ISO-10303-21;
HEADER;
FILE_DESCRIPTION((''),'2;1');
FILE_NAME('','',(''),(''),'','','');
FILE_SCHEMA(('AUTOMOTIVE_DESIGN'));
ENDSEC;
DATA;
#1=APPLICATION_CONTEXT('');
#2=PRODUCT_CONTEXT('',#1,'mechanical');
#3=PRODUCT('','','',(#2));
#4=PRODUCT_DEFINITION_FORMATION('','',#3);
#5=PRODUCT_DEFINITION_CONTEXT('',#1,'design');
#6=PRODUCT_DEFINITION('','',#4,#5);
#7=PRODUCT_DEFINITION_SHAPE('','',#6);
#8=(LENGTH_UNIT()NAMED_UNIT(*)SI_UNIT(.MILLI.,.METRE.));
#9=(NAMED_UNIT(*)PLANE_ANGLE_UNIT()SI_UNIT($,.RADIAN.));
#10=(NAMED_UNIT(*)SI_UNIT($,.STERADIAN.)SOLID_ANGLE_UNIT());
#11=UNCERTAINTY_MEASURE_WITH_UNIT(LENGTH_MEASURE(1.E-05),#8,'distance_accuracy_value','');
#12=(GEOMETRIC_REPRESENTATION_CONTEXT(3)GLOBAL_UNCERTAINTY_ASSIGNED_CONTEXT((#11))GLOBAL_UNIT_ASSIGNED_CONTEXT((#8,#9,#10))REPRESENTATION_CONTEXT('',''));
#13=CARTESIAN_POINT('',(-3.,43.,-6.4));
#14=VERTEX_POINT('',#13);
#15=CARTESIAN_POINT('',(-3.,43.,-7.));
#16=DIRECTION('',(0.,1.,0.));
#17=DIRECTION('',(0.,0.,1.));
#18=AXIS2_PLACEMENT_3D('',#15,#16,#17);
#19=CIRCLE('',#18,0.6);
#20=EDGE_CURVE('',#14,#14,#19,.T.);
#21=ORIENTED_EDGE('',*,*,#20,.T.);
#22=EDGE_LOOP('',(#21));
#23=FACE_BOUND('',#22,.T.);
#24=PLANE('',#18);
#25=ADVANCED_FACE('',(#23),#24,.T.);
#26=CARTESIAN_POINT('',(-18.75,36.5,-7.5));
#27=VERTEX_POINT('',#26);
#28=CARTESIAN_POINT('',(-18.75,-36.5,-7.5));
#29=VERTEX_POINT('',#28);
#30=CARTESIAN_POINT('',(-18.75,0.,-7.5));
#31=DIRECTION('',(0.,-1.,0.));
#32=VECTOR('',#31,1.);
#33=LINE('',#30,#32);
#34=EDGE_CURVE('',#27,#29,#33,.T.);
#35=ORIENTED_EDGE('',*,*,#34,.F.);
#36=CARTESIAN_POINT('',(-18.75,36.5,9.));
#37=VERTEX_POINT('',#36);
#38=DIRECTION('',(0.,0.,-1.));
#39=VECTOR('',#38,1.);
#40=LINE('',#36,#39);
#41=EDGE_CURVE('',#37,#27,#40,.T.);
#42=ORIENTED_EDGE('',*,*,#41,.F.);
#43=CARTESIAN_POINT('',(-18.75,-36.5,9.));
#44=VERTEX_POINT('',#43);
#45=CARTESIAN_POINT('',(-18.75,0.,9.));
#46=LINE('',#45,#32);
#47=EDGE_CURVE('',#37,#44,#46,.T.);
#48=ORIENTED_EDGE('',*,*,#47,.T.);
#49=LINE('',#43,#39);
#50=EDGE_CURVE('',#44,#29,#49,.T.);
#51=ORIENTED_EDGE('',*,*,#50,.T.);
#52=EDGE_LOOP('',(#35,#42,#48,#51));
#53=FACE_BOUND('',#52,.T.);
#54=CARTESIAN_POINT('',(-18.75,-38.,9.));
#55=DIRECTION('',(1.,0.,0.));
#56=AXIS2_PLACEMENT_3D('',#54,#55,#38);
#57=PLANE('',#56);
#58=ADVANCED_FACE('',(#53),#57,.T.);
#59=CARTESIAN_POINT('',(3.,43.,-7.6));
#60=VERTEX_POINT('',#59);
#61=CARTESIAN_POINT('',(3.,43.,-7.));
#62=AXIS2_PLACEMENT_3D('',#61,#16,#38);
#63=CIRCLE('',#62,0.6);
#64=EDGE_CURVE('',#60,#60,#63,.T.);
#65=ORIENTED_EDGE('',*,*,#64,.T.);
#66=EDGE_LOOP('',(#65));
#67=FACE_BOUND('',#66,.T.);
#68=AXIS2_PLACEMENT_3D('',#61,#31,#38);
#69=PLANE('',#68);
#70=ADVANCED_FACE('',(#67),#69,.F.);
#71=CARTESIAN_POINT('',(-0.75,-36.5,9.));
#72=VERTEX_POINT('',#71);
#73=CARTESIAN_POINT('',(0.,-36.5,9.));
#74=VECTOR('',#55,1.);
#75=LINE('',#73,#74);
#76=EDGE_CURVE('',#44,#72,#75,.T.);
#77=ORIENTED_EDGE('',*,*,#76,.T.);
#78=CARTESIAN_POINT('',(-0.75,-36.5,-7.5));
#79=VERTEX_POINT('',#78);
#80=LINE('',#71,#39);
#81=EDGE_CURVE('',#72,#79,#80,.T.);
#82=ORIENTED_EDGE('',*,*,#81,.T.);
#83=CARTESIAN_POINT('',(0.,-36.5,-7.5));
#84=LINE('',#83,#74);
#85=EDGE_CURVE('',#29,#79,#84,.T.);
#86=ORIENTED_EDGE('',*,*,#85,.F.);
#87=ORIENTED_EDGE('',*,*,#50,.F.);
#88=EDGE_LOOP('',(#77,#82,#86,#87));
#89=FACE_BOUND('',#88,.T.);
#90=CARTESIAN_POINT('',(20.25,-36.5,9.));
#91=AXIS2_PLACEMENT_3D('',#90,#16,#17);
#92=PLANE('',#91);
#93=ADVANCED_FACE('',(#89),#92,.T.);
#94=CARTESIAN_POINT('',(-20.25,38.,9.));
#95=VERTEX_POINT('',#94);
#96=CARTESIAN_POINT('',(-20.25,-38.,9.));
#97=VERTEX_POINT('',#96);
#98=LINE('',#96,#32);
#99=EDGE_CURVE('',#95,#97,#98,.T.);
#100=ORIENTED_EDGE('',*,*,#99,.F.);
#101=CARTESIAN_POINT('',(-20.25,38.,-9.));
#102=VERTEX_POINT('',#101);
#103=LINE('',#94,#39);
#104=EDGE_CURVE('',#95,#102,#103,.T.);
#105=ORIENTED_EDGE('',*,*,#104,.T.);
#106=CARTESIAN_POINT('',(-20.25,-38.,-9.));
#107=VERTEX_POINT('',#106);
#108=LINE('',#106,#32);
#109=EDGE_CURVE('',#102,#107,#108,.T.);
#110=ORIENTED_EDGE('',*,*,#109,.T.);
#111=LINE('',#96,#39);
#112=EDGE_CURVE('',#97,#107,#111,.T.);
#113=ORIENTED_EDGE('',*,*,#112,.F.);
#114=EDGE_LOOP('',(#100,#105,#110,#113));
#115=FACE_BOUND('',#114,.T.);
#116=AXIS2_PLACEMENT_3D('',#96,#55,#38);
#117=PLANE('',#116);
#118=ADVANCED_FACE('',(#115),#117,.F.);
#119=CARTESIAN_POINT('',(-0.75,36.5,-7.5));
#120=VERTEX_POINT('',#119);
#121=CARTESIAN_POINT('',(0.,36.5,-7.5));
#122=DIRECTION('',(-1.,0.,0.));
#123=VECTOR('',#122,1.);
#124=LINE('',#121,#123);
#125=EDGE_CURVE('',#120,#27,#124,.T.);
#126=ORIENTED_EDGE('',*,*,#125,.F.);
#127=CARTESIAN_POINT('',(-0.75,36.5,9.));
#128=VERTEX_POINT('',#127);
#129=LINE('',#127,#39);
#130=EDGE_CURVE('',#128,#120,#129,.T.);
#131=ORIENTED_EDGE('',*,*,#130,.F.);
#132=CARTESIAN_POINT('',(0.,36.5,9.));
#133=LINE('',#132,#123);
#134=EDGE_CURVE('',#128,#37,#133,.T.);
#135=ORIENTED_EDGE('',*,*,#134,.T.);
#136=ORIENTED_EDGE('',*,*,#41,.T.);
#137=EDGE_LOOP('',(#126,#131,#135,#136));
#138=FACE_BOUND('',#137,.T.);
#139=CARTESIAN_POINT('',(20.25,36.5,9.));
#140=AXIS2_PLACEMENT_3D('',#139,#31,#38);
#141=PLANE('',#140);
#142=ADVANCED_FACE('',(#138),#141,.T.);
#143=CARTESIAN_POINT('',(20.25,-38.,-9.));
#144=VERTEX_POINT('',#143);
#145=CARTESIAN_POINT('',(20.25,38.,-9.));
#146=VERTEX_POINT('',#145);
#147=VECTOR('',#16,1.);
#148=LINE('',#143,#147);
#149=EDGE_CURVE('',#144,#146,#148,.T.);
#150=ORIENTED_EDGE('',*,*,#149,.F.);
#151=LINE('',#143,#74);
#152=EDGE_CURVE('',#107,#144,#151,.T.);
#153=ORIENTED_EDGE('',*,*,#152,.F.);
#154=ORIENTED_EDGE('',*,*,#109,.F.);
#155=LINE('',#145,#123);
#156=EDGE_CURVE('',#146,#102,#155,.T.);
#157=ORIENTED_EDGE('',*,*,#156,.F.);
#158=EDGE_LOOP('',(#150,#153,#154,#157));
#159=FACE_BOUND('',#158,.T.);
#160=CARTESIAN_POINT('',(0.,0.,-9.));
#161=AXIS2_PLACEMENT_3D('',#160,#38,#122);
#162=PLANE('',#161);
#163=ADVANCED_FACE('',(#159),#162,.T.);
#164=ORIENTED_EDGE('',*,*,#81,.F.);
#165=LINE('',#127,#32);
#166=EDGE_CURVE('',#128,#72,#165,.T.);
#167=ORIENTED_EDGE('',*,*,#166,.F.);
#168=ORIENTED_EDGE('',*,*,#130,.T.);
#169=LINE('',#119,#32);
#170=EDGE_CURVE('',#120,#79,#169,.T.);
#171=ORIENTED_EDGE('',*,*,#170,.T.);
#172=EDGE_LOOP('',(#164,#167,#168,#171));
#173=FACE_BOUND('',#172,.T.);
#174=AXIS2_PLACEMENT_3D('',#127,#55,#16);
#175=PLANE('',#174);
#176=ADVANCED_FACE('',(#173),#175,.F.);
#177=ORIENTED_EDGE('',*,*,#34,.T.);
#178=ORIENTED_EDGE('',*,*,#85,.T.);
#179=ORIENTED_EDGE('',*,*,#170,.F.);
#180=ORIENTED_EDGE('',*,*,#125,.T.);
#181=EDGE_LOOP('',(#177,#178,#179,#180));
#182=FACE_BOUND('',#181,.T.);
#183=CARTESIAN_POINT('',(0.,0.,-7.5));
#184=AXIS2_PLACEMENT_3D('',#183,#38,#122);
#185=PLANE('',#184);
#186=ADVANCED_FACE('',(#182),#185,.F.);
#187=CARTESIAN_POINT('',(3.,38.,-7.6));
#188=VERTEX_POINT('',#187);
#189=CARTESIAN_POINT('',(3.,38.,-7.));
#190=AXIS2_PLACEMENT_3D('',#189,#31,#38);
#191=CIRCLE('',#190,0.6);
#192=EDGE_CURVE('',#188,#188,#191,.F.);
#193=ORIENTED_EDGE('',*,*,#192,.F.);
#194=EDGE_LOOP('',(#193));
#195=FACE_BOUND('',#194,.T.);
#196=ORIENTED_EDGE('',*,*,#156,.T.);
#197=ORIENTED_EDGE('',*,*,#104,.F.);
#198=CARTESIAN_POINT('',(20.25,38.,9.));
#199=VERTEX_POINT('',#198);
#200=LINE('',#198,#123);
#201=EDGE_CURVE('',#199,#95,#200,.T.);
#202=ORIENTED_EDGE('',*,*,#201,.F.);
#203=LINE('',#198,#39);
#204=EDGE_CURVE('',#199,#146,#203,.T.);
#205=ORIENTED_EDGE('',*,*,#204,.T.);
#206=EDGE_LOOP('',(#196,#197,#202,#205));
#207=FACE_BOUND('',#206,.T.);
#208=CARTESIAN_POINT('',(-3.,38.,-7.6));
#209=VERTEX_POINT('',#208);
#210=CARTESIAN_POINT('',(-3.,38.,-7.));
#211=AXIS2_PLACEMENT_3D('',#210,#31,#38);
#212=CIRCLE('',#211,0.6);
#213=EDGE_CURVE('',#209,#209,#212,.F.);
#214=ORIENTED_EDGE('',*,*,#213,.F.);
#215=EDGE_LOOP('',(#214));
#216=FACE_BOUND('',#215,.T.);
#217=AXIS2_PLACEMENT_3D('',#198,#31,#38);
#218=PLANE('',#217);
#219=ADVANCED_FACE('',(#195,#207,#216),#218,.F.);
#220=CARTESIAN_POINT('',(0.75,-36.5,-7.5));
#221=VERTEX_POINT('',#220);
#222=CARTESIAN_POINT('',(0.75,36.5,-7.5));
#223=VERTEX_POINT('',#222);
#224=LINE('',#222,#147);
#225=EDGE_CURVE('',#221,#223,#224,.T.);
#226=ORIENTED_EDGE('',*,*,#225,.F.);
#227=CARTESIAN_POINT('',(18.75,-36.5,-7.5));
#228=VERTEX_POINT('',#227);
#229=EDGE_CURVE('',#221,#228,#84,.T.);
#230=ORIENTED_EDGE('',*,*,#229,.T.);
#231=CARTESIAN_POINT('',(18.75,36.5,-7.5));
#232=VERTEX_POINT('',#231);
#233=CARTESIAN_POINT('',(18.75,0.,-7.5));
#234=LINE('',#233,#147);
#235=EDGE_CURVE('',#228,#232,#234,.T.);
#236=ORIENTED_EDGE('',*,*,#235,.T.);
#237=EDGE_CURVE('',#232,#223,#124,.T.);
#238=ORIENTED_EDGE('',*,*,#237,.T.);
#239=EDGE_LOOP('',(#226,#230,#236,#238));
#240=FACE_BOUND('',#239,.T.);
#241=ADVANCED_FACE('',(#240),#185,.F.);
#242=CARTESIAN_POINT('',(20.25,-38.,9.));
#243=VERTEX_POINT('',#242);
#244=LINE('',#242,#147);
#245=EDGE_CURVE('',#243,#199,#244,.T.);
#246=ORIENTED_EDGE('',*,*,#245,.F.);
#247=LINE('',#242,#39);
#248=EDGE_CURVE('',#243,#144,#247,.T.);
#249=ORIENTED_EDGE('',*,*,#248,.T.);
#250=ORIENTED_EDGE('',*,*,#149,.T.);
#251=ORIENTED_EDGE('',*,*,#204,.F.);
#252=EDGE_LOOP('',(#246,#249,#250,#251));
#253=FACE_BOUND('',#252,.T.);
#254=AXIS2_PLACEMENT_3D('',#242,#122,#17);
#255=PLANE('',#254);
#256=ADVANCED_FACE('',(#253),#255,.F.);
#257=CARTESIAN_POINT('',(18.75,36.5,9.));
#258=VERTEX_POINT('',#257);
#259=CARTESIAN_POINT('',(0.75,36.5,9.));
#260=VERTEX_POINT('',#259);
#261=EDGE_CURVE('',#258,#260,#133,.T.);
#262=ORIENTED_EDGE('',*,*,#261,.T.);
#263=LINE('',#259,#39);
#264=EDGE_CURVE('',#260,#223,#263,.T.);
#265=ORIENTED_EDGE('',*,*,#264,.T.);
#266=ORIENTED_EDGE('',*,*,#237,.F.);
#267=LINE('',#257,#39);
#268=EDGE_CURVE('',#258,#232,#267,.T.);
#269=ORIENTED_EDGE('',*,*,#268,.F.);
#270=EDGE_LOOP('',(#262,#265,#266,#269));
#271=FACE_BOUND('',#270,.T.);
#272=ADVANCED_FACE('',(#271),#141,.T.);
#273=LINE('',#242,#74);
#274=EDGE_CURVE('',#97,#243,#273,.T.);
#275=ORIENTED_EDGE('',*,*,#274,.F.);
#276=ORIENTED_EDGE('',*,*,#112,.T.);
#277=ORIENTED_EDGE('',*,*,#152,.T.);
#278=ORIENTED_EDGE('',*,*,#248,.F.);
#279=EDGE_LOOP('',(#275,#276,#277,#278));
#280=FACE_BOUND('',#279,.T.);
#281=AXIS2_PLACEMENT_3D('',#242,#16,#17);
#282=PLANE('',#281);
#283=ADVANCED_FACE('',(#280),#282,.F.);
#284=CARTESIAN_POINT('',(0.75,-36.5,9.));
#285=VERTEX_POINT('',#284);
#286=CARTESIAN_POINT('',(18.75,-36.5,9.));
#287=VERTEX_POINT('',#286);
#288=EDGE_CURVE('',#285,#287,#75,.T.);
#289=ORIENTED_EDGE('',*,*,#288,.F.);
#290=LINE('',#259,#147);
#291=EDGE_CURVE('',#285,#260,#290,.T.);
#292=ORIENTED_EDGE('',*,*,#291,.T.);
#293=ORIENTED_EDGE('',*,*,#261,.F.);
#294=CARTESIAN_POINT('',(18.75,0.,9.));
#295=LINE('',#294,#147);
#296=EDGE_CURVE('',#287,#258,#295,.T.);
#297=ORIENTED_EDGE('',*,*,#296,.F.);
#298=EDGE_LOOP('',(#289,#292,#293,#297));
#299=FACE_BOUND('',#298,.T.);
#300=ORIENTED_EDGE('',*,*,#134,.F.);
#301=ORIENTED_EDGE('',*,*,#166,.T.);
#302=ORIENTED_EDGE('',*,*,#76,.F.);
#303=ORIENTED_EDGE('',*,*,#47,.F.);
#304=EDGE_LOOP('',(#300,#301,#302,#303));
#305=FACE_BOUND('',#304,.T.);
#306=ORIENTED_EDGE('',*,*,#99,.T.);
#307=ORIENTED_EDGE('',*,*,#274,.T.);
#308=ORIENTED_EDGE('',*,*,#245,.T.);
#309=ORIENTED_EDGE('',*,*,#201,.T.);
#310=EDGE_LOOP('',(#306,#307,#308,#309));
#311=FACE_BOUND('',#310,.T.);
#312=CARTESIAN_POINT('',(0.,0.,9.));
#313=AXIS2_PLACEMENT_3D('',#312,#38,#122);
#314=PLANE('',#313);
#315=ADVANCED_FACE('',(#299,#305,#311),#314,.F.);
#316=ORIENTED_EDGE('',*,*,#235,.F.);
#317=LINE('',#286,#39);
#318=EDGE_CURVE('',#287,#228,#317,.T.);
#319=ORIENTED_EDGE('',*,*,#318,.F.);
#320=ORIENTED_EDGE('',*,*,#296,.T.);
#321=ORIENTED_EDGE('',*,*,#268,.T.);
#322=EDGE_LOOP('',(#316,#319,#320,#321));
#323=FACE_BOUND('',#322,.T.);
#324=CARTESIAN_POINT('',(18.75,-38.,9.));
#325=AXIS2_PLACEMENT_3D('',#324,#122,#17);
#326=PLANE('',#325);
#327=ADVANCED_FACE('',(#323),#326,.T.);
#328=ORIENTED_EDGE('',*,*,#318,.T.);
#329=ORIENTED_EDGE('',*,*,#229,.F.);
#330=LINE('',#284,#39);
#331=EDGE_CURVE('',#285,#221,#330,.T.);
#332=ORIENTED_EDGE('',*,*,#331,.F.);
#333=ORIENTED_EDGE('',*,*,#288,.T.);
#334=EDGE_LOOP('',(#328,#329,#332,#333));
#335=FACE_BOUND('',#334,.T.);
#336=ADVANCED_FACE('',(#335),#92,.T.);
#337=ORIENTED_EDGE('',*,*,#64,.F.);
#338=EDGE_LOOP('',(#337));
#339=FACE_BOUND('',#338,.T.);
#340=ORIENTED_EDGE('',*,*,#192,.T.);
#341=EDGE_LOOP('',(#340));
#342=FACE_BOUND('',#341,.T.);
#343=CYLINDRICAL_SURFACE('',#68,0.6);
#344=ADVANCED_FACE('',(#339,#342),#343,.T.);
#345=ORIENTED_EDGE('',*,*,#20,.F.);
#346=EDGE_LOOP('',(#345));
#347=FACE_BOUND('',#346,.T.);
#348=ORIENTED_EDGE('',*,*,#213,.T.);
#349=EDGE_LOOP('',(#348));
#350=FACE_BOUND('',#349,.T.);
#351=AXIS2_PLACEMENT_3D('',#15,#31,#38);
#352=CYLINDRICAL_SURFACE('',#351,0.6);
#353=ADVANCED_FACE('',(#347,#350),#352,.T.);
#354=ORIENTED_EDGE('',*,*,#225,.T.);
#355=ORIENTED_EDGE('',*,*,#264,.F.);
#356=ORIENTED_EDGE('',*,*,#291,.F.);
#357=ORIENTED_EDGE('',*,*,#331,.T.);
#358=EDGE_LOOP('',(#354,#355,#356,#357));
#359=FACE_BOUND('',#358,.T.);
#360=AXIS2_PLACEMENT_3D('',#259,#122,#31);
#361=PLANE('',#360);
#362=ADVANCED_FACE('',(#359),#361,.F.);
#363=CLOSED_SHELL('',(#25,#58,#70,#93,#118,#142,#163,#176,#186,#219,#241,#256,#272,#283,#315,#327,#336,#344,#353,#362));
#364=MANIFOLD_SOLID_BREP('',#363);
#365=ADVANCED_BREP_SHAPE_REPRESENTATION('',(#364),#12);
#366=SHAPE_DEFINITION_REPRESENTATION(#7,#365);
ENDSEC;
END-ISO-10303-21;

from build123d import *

# Parameters (mm, degrees)
SKETCH1_W           = 76
SKETCH1_H           = 40.5
BOSS_EXTRUDE1_DEPTH = 9
SHELL1_T            = -1.5
SKETCH2_W           = 1.5
SKETCH2_H           = 73
BOSS_EXTRUDE2_DEPTH = 16.5
SKETCH3_R           = 0.6
BOSS_EXTRUDE3_DEPTH = 5


with BuildPart() as part:
    # Sketch1 → Boss-Extrude1 (new, symmetric)
    with BuildSketch(Plane(origin=(0, 0, 0), x_dir=(0, 1, 0), z_dir=(0, 0, 1))):
        Rectangle(SKETCH1_W, SKETCH1_H)
    extrude(amount=BOSS_EXTRUDE1_DEPTH, both=True)

    # Shell1
    shell1_openings = [part.faces().sort_by_distance(p)[0] for p in [
        (0, 0, 9),
    ]]
    offset(amount=SHELL1_T, openings=shell1_openings, kind=Kind.INTERSECTION)

    # Sketch2 → Boss-Extrude2 (add)
    with BuildSketch(Plane.XY.offset(-7.5)):
        Rectangle(SKETCH2_W, SKETCH2_H)
    extrude(amount=BOSS_EXTRUDE2_DEPTH)

    # Sketch3 → Boss-Extrude3 (add)
    with BuildSketch(Plane(origin=(0, 38, 0), x_dir=(-1, 0, 0), z_dir=(0, 1, 0))):
        with Locations(Location((3, -7, 0), (0, 0, 270))):
            Circle(SKETCH3_R)
        with Locations(Location((-3, -7, 0), (0, 0, 270))):
            Circle(SKETCH3_R)
    extrude(amount=BOSS_EXTRUDE3_DEPTH)


solid = part.part
